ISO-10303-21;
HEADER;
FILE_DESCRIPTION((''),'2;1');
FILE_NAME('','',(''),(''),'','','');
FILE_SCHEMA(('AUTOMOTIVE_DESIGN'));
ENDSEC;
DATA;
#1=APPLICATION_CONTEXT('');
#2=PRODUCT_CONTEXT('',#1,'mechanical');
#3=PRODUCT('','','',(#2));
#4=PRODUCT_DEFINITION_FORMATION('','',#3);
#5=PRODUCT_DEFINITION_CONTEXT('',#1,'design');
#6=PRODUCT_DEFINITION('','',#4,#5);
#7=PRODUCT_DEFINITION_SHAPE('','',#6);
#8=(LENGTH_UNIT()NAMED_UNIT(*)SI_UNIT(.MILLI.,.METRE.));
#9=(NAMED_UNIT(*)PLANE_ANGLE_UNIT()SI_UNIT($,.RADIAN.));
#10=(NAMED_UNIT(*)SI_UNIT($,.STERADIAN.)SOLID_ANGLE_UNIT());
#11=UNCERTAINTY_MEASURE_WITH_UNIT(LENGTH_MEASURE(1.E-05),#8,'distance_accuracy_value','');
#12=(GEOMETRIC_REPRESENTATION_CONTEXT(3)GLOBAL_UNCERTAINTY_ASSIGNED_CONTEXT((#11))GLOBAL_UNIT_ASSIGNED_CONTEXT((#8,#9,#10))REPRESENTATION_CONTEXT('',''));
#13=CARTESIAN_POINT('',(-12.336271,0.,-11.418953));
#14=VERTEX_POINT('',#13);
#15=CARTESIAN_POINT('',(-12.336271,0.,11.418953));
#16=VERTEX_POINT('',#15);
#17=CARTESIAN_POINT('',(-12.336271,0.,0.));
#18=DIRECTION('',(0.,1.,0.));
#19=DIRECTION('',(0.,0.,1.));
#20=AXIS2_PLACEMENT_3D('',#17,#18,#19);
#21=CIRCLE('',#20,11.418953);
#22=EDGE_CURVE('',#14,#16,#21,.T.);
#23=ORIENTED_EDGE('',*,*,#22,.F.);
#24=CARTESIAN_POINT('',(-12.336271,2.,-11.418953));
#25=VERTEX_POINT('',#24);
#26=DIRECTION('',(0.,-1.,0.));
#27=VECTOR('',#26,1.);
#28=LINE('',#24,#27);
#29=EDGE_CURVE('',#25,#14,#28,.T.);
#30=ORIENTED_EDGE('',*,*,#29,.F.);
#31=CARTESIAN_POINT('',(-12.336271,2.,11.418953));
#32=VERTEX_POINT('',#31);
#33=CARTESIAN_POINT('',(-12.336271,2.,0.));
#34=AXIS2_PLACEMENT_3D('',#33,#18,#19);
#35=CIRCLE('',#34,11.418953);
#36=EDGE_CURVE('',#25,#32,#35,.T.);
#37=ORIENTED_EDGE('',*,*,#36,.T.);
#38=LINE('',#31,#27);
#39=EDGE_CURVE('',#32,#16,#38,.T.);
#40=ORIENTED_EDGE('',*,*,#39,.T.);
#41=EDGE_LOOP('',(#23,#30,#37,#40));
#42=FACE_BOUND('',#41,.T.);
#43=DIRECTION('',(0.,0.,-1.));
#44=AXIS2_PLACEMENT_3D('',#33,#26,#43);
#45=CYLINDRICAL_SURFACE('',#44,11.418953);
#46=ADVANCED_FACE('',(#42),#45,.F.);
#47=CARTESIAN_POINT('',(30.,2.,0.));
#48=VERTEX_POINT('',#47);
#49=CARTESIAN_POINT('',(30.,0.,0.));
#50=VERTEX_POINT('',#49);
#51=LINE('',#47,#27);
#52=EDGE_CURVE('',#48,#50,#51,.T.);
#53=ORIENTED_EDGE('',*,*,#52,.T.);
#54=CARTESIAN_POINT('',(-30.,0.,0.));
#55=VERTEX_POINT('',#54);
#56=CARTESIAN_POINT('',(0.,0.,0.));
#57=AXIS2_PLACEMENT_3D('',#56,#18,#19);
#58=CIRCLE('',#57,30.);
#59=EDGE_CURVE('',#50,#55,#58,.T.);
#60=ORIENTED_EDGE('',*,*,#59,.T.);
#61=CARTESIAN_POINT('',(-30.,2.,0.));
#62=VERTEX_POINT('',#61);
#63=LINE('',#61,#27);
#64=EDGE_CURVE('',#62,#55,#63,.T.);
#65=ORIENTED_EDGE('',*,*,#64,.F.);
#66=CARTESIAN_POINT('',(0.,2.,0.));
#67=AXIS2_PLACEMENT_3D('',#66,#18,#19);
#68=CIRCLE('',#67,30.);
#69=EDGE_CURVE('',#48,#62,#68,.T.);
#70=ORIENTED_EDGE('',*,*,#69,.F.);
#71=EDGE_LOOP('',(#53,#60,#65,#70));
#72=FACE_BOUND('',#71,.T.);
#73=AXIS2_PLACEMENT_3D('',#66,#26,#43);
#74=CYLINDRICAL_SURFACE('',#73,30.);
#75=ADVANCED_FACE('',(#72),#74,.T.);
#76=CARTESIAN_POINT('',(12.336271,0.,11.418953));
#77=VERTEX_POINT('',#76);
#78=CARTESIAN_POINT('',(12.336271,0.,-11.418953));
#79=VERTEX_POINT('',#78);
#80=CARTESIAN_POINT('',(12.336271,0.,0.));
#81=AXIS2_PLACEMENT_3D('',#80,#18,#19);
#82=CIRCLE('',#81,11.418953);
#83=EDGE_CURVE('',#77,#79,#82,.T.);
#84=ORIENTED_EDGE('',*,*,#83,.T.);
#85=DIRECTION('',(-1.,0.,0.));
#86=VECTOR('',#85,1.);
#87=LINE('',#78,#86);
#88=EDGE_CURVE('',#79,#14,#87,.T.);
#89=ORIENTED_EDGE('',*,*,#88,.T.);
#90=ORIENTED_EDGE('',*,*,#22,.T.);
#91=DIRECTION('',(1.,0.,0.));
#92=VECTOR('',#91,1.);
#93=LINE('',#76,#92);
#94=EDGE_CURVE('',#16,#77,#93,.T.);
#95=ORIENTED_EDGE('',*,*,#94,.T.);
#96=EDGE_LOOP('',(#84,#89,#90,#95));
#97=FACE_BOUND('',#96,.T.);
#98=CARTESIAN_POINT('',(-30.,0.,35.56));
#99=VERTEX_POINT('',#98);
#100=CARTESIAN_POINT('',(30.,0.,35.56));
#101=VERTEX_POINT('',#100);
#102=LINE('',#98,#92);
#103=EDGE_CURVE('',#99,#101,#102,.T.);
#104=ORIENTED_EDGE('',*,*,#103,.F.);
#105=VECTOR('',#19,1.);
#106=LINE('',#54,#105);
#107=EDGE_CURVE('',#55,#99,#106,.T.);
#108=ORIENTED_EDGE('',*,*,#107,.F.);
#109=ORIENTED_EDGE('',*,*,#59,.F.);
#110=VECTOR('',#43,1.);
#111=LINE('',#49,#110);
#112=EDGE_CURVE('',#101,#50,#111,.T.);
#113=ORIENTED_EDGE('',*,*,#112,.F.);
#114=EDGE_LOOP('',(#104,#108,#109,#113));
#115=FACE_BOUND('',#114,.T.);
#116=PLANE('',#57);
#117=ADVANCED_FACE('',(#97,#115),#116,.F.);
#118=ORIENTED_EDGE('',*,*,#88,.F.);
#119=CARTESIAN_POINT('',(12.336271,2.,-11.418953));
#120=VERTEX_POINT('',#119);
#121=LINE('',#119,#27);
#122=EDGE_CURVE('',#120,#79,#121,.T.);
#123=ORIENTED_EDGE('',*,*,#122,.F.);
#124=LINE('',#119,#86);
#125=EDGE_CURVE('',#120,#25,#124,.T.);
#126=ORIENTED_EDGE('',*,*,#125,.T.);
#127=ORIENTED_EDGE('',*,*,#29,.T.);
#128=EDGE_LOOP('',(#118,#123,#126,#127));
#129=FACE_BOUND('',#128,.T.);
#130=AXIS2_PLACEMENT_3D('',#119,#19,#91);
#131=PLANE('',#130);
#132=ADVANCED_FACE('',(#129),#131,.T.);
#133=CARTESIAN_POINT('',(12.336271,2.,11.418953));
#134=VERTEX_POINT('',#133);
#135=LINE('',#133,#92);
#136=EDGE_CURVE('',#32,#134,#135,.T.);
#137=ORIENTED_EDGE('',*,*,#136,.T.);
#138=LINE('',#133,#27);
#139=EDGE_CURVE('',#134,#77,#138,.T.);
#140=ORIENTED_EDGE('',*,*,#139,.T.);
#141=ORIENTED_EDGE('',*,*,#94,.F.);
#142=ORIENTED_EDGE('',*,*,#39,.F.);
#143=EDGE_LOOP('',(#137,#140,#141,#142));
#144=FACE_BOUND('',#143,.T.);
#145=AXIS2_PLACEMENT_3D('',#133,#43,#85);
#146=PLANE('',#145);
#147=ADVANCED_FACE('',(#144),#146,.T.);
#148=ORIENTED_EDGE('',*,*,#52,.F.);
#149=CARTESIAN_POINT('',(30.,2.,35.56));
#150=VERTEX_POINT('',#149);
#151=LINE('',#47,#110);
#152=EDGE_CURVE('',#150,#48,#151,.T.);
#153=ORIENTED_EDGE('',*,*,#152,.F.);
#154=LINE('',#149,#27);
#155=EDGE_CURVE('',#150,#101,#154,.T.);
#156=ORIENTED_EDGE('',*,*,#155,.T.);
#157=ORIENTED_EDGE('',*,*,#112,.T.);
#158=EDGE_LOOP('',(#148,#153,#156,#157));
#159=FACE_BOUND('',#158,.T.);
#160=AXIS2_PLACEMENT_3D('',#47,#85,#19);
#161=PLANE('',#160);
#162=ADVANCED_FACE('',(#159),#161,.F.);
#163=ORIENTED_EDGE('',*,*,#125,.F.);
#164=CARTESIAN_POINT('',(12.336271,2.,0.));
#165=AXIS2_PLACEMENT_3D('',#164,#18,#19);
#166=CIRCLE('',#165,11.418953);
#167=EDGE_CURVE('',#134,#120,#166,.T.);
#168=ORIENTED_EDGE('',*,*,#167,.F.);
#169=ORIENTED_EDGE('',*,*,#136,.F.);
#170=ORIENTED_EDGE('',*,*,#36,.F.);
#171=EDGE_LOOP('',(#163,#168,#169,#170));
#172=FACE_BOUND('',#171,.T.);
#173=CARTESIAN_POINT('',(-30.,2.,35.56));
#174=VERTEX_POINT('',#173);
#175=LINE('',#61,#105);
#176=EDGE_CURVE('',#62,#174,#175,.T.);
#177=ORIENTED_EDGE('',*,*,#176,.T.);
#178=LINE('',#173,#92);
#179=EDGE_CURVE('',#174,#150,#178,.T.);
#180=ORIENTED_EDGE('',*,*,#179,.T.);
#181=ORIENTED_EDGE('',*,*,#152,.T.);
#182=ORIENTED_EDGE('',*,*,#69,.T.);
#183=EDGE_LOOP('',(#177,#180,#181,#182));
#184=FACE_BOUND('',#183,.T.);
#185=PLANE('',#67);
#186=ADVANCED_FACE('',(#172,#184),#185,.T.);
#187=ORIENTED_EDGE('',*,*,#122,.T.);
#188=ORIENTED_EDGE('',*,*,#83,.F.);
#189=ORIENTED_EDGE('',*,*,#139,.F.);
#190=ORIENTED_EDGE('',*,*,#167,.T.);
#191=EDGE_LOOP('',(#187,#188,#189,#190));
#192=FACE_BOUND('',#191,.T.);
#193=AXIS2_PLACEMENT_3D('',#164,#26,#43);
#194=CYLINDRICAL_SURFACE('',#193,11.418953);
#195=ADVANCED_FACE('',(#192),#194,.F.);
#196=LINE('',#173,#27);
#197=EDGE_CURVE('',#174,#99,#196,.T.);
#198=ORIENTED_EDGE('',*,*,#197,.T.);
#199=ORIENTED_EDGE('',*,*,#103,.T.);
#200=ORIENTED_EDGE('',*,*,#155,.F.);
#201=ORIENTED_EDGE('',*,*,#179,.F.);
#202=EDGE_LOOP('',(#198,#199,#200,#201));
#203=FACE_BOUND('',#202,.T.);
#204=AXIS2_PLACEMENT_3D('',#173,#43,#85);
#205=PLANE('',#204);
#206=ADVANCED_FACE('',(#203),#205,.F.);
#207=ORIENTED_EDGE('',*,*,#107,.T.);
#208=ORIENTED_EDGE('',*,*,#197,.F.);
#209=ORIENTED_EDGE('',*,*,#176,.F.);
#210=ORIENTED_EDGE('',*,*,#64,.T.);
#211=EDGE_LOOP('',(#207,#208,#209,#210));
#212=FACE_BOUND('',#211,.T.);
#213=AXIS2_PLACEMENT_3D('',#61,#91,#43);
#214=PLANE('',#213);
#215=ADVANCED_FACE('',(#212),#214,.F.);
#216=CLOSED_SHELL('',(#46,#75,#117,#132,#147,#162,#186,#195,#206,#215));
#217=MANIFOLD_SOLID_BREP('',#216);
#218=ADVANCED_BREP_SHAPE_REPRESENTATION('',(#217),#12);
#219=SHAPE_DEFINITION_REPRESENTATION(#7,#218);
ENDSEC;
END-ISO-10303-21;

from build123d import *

# Parameters (mm, degrees)
BOSS_EXTRUDE1_DEPTH = 2


with BuildPart() as part:
    # Sketch1 → Boss-Extrude1 (new body)
    with BuildSketch(Plane(origin=(0, 0, 0), x_dir=(1, 0, 0), z_dir=(0, 1, 0))):
        with BuildLine():
            Line((-30, 0), (-30, -35.56))
            Line((-30, -35.56), (30, -35.56))
            Line((30, -35.56), (30, 0))
            ThreePointArc((30, 0), (0, 30), (-30, 0))
        make_face()
        with BuildLine():
            Line((12.336270574, -11.418953413), (-12.336270574, -11.418953413))
            ThreePointArc((-12.336270574, -11.418953413), (-23.755223987, 0), (-12.336270574, 11.418953413))
            Line((-12.336270574, 11.418953413), (12.336270574, 11.418953413))
            ThreePointArc((12.336270574, 11.418953413), (23.755223987, 0), (12.336270574, -11.418953413))
        make_face(mode=Mode.SUBTRACT)
    extrude(amount=BOSS_EXTRUDE1_DEPTH)


solid = part.part
